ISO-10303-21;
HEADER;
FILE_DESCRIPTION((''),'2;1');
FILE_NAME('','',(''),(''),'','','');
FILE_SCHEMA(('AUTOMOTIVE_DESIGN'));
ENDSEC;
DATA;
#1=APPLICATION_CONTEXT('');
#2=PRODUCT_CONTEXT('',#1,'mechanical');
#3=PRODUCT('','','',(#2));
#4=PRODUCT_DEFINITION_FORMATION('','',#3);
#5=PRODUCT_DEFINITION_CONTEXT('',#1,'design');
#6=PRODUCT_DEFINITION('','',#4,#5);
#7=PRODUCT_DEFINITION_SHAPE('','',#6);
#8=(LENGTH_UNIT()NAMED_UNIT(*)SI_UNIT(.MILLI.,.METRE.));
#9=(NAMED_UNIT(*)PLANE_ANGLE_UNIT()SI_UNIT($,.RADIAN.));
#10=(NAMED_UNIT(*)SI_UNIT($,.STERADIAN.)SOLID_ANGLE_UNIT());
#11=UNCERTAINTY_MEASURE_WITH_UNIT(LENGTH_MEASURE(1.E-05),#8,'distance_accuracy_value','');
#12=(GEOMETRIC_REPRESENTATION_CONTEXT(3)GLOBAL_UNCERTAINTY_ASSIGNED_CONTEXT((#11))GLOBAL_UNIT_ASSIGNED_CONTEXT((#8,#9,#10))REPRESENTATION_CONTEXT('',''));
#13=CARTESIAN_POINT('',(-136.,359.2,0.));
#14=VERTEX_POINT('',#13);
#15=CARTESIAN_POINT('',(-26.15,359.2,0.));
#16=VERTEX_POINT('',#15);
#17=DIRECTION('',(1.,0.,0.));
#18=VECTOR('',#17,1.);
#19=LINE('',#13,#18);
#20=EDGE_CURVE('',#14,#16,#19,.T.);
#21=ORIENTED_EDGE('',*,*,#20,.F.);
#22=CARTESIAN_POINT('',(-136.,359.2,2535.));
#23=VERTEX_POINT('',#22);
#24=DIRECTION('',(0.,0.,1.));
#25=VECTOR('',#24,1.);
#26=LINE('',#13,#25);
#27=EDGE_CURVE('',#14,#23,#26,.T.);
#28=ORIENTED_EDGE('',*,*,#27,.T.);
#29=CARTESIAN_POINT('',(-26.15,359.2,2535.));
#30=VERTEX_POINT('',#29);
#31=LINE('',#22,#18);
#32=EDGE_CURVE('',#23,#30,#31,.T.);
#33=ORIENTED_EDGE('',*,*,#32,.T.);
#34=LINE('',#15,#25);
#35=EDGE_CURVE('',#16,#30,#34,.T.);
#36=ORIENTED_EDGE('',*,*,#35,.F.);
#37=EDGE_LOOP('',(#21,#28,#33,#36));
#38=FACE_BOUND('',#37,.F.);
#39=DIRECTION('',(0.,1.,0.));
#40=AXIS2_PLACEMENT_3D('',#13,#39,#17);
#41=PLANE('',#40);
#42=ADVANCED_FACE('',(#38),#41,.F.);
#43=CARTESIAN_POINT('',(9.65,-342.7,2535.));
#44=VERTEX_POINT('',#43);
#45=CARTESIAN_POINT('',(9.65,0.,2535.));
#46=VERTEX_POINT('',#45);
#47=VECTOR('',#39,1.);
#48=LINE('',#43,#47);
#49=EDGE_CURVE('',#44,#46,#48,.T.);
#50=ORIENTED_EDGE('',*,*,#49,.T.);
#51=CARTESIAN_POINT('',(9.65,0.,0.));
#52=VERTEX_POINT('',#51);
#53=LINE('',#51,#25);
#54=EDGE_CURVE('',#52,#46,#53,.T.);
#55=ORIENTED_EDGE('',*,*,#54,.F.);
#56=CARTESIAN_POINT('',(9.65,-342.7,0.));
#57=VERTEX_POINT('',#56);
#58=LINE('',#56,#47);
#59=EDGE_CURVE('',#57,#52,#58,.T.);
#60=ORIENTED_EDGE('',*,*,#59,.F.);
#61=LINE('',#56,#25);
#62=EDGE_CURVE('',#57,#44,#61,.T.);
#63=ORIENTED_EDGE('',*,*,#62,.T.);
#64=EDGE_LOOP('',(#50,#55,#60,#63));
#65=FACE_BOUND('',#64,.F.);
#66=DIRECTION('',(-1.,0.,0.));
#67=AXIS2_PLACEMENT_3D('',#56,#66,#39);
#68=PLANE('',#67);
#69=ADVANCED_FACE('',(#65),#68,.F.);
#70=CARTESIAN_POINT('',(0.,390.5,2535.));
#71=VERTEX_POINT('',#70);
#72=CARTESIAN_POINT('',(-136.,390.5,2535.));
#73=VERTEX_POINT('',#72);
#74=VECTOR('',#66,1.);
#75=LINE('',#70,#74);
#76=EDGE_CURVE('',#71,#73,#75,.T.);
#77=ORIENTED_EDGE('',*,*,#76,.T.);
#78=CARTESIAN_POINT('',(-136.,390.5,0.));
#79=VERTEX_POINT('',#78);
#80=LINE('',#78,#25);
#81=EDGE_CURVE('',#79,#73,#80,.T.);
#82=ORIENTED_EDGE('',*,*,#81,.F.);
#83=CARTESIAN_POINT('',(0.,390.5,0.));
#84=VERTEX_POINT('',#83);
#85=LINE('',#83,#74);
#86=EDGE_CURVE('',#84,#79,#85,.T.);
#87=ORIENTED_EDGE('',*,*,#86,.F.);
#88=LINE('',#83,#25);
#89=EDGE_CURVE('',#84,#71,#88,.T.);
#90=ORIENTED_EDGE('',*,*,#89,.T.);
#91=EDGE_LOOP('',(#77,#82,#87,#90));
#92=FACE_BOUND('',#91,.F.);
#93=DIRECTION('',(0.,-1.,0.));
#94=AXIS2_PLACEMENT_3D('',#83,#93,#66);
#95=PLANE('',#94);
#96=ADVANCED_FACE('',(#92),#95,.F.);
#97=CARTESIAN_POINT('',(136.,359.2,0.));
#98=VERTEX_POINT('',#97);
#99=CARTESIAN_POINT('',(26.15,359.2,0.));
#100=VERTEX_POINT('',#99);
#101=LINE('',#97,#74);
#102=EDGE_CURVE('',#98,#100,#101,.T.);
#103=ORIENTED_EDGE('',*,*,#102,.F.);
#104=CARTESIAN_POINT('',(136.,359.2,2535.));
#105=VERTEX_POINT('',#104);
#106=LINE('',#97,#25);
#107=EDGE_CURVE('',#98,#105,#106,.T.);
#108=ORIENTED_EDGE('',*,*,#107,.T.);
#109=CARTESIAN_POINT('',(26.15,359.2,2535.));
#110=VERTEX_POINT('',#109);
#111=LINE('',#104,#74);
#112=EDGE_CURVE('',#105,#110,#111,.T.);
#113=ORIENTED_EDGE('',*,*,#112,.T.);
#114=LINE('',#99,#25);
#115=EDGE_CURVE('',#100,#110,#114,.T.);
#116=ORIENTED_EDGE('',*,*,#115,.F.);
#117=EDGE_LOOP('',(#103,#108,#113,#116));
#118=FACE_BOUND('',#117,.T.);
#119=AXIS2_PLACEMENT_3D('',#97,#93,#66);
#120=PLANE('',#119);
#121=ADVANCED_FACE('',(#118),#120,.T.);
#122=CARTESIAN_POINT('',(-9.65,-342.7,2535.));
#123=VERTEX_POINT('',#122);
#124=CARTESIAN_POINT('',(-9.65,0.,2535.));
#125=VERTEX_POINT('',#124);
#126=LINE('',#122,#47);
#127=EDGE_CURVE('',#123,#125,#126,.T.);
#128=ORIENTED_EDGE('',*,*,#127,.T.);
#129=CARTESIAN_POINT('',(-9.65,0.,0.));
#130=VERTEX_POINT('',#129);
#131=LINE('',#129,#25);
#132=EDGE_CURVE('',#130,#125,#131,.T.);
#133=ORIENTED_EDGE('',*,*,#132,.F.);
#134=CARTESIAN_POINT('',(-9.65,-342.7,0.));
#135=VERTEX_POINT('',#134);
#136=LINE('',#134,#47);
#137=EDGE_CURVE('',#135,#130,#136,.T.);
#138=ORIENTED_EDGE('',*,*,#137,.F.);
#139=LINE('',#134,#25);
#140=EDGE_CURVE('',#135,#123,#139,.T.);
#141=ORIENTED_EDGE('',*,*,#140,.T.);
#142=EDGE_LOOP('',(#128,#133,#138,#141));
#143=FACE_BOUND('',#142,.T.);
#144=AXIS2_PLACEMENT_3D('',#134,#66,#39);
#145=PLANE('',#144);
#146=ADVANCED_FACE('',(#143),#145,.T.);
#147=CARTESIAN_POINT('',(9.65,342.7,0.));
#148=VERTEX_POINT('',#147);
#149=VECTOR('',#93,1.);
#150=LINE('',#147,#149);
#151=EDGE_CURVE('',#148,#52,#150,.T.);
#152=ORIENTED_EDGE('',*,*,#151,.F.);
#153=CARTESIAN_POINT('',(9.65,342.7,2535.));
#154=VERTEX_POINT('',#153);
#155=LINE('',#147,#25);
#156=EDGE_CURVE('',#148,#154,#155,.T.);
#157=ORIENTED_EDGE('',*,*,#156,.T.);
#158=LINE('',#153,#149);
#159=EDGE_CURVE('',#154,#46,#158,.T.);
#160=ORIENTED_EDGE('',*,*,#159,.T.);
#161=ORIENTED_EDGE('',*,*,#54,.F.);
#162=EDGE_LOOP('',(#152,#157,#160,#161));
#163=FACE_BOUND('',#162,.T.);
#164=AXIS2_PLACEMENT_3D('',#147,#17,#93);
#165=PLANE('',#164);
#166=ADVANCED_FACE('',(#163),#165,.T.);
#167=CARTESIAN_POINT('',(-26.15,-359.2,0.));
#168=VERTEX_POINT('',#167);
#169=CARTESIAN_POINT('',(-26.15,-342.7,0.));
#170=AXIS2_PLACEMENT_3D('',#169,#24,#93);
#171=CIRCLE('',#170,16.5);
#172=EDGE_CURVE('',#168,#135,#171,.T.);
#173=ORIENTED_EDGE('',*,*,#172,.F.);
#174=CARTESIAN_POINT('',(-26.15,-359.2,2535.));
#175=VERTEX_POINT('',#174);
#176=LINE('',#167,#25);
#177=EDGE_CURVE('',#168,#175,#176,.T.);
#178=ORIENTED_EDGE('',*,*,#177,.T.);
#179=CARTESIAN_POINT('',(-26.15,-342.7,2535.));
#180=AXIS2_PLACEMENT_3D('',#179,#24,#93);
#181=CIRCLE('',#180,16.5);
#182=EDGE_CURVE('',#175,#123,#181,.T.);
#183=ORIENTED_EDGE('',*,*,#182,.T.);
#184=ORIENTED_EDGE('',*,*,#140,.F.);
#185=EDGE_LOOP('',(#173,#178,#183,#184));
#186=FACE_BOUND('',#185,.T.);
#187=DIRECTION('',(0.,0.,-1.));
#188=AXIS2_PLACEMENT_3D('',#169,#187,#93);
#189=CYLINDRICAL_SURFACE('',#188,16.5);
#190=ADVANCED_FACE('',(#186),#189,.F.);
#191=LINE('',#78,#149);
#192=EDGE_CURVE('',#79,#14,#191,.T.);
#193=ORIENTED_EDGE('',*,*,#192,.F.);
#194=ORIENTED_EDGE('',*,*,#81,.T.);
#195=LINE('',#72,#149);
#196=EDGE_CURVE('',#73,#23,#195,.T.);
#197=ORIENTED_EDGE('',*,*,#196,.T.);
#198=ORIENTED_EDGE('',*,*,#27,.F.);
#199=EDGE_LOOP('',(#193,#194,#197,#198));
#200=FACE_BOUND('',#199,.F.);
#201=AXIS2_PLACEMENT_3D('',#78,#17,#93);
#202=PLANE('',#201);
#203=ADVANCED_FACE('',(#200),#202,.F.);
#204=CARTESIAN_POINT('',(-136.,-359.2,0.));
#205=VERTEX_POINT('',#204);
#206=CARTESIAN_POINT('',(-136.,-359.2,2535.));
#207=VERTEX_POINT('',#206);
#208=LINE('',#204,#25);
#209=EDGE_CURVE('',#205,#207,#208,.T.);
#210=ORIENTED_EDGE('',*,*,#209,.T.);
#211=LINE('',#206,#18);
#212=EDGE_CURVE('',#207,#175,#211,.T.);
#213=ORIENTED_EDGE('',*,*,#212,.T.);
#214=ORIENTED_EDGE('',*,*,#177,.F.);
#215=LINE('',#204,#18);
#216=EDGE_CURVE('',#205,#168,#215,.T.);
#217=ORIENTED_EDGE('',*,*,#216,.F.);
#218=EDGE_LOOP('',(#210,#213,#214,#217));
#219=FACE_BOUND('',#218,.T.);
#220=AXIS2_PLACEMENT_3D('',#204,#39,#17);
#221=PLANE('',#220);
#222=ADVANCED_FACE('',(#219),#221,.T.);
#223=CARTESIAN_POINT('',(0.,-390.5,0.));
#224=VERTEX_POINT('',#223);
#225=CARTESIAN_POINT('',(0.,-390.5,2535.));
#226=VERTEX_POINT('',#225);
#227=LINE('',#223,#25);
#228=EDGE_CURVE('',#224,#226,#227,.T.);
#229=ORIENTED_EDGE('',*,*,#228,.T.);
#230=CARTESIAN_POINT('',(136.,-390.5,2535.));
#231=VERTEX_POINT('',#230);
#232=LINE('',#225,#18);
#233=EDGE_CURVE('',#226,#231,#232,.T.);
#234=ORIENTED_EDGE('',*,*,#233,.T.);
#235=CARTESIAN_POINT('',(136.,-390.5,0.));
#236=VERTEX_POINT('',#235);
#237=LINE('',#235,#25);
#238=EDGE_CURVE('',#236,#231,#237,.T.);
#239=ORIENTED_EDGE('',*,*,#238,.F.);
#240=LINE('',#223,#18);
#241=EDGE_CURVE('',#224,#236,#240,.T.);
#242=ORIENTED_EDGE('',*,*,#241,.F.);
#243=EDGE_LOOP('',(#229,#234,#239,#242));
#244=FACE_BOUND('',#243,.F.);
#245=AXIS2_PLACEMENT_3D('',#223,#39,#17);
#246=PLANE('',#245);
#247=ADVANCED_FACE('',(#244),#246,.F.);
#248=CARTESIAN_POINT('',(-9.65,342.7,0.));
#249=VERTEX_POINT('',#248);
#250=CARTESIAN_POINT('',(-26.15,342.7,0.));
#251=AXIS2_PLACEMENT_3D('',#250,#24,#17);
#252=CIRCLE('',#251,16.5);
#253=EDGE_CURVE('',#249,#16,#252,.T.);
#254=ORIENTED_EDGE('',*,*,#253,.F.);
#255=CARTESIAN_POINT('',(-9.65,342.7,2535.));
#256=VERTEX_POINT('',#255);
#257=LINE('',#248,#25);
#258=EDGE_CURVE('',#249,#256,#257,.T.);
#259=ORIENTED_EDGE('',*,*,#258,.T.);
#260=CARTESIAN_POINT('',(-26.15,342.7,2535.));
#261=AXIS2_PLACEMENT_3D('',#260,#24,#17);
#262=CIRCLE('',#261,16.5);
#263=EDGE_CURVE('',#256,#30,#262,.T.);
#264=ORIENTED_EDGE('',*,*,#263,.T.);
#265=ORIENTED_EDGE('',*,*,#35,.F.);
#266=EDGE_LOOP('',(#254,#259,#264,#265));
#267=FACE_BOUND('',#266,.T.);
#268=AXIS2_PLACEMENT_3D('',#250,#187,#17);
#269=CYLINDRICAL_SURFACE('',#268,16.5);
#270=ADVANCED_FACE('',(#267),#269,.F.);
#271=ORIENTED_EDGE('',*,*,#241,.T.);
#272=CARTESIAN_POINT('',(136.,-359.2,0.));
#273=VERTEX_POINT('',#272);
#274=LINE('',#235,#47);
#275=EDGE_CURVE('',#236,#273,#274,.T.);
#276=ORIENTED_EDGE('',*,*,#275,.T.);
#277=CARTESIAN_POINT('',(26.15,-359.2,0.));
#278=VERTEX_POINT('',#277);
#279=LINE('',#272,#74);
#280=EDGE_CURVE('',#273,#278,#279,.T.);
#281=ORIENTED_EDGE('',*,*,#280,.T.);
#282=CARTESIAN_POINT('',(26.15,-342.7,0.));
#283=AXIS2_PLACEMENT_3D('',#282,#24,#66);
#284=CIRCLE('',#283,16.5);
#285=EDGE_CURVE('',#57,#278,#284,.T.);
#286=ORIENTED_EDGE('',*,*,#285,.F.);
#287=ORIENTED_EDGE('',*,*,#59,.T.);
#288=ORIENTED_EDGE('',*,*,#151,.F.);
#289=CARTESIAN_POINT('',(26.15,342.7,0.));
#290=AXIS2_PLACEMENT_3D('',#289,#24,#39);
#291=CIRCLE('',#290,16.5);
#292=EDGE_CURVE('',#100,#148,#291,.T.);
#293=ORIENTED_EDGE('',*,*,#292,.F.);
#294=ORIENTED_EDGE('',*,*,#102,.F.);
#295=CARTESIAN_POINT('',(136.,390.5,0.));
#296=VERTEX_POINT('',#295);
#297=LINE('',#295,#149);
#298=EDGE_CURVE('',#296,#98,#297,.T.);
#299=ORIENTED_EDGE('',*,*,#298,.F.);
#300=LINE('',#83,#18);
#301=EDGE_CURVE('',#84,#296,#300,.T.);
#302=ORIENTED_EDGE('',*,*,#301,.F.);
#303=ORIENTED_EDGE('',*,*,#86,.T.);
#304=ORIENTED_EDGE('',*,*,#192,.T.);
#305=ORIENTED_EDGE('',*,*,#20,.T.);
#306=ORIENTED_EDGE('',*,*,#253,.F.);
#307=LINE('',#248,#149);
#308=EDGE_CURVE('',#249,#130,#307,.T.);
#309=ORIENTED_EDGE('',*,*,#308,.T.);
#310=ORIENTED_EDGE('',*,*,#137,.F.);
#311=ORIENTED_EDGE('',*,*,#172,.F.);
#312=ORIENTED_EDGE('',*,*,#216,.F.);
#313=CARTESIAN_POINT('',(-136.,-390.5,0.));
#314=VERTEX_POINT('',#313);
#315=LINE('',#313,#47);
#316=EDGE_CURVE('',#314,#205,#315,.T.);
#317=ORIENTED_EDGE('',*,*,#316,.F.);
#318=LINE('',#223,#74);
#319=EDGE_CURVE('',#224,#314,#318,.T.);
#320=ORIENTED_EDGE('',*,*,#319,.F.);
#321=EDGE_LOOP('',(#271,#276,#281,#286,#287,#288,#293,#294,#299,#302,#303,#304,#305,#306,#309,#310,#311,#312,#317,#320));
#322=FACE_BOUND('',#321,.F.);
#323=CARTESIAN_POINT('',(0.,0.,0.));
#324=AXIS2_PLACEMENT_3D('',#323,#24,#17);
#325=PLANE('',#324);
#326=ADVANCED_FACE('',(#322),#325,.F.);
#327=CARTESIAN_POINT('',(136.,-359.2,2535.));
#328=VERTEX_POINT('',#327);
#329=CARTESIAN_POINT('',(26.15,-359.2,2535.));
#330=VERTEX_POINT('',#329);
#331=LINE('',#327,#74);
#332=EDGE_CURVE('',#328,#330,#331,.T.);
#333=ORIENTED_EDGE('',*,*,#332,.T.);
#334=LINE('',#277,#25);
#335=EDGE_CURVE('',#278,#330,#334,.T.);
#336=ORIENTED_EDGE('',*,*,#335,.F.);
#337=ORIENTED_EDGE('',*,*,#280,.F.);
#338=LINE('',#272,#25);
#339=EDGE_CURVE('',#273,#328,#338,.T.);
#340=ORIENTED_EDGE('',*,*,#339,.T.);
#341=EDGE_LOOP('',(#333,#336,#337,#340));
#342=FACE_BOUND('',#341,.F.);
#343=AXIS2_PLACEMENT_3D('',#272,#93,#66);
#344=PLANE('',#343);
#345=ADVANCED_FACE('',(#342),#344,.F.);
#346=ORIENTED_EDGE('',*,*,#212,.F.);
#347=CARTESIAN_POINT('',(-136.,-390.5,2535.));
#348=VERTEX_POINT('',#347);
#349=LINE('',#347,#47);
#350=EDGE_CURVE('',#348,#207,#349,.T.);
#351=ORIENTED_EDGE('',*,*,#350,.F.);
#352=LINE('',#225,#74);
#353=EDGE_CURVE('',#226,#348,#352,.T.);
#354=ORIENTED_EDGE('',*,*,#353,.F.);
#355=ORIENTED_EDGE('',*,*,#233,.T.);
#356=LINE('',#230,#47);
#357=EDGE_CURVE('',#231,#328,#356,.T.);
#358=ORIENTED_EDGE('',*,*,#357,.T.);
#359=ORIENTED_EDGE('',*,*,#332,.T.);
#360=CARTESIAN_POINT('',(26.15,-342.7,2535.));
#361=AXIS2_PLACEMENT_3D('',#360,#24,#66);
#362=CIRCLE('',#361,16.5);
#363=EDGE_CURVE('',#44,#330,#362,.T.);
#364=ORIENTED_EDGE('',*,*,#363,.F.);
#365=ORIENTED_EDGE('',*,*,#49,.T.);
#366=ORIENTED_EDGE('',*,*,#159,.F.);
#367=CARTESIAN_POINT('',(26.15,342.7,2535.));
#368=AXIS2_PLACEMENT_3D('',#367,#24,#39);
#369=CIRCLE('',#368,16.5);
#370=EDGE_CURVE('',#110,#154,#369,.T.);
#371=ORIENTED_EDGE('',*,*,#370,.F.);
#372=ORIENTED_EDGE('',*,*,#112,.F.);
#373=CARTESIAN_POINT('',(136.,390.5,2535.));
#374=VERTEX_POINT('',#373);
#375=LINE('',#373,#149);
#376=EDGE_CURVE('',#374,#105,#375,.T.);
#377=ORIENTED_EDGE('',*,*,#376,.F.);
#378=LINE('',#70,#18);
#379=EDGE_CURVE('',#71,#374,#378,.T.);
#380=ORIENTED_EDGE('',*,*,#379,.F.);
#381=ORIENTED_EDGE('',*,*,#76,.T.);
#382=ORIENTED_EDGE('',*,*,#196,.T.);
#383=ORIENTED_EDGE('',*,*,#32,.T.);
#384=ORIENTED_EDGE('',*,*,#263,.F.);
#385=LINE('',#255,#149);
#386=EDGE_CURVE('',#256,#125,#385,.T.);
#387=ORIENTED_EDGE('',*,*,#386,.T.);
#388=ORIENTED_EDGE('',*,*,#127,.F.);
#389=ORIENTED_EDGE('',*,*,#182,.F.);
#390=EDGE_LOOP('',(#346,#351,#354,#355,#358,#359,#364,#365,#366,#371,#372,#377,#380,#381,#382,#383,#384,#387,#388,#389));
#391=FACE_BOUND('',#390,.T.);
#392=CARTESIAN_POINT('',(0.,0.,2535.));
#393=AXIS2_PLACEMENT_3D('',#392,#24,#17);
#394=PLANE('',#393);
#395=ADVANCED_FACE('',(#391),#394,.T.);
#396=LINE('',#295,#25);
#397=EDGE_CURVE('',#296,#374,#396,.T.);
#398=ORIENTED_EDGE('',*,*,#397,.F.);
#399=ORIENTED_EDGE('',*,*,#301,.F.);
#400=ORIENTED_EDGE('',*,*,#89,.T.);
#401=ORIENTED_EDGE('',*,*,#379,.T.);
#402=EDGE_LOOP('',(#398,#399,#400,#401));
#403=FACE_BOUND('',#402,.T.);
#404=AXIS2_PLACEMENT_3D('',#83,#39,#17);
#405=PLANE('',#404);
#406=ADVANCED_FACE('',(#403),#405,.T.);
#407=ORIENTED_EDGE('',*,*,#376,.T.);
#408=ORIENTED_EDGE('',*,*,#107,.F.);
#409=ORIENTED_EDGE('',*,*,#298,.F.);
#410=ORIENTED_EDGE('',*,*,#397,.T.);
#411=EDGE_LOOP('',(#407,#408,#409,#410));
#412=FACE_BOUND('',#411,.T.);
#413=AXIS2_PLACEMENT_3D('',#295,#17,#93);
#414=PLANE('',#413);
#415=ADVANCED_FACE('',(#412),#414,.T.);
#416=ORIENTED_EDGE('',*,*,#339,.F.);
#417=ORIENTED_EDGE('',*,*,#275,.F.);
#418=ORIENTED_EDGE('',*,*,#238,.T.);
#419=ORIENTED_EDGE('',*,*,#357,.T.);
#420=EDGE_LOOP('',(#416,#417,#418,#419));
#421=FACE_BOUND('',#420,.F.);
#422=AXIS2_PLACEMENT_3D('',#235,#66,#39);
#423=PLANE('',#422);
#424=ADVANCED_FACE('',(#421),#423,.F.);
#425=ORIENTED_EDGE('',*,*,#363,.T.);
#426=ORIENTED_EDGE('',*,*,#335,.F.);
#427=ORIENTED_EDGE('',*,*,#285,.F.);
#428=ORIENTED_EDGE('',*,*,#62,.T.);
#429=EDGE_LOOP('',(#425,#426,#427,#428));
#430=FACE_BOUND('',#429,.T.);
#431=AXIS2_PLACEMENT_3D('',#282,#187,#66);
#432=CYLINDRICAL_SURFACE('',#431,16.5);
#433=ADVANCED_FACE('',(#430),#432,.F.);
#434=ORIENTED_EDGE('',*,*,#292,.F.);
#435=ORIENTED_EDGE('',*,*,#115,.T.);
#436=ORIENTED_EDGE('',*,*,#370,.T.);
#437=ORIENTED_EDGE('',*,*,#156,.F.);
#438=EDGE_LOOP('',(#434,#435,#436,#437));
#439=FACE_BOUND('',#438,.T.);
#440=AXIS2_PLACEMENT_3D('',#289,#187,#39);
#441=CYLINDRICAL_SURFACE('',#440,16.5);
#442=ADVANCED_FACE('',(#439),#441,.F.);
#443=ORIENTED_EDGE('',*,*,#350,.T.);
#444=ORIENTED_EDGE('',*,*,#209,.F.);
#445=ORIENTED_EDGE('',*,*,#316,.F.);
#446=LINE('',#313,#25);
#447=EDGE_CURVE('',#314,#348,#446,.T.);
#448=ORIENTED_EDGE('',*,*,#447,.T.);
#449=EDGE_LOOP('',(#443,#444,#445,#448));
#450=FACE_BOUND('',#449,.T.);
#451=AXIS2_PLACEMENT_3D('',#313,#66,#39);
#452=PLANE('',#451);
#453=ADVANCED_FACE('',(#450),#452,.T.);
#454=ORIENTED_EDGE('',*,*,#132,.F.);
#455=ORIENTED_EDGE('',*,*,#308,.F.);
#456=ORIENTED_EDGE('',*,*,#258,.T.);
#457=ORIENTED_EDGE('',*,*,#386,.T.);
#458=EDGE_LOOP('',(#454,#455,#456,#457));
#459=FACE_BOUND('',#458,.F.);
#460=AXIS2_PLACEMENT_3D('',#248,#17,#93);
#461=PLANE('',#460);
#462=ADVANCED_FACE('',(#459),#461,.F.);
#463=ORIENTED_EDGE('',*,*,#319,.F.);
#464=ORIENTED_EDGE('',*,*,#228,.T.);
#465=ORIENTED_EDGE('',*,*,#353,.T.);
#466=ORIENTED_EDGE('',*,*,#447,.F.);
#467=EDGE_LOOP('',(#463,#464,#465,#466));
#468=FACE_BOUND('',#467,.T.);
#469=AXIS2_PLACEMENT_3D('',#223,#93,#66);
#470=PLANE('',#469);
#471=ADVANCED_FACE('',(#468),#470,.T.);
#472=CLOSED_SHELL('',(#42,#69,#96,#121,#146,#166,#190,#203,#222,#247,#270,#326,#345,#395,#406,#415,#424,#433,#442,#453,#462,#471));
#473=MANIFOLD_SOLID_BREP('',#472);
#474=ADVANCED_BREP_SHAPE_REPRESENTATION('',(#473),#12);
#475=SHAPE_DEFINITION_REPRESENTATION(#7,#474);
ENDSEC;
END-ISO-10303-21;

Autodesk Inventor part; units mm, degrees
ref_plane "YZ Plane" through (0, 0, 0) normal (1, 0, 0) x (0, 1, 0)
ref_plane "Start plane" through (0, 0, 0) normal (0, 0, 1) x (1, 0, 0)
ref_plane "End plane" through (0, 0, 2535) normal (0, 0, 1) x (1, 0, 0)
sketch "Sketch" plane through (0, 0, 0) normal (0, 0, 1) x (1, 0, 0)
  line L0 (-136, -390.5) -> (-136, -359.2)
  line L1 (-136, -359.2) -> (-26.15, -359.2)
  line L2 (-9.65, -342.7) -> (-9.65, 0)
  line L3 (-9.65, 0) -> (0, 0) construction
  line L4 (0, 0) -> (0, -390.5) construction
  line L5 (0, -390.5) -> (-136, -390.5)
  line L6 (-60, 0) -> (80, 0) construction
  line L7 (0, -60) -> (0, 80) construction
  line L8 (136, -390.5) -> (136, -359.2)
  line L9 (136, -359.2) -> (26.15, -359.2)
  line L10 (9.65, -342.7) -> (9.65, 0)
  line L11 (9.65, 0) -> (0, 0) construction
  line L12 (0, -390.5) -> (136, -390.5)
  line L13 (-136, 390.5) -> (-136, 359.2)
  line L14 (-136, 359.2) -> (-26.15, 359.2)
  line L15 (-9.65, 342.7) -> (-9.65, 0)
  line L16 (0, 390.5) -> (-136, 390.5)
  line L17 (136, 390.5) -> (136, 359.2)
  line L18 (136, 359.2) -> (26.15, 359.2)
  line L19 (0, 390.5) -> (136, 390.5)
  line L20 (9.65, 342.7) -> (9.65, 0)
  arc A0 (-9.65, 342.7) -> (-26.15, 359.2) centre (-26.15, 342.7) ccw
  arc A1 (26.15, 359.2) -> (9.65, 342.7) centre (26.15, 342.7) ccw
  arc A2 (9.65, -342.7) -> (26.15, -359.2) centre (26.15, -342.7) ccw
  arc A3 (-26.15, -359.2) -> (-9.65, -342.7) centre (-26.15, -342.7) ccw
  line L21 (0, 108) -> (0, -88) construction
  line L22 (-88, 0) -> (108, 0) construction
  point P0 (-9.65, -359.2)
  point P1 (9.65, -359.2)
  point P2 (-9.65, 359.2)
  point P3 (9.65, 359.2)
  dimension "d1" = 390.5
  dimension "d2" = 31.3
  dimension "d3" = 136
  dimension "d4" = 9.65
  dimension "d10" = 16.5
extrude "Body" add sketch "Sketch" along normal up to surface (2535 mm away) from surface at 0
sketch "Sketch4" plane through (0, 0, 0) normal (0, 0, 1) x (1, 0, 0)
  line L0 (0, 0) -> (10, 0)
ref_plane "Work Plane3" through (0, 0, 0) normal (0, -1, 0) x (1, 0, 0)
sketch "Sketch5" plane through (0, 0, 0) normal (0, -1, 0) x (1, 0, 0)
  line L0 (-2, 0) -> (12, 0) projected
  line L1 (-2, 2535) -> (12, 2535) projected
  dimension "d14" = 2535
equation "\"d1\" = 0.5 * G_H"
equation "\"d2\" = G_T1"
equation "\"d3\" = 0.5 * G_W"
equation "\"d4\" = 0.5 * G_T"
equation "\"d10\" = G_IR"
equation "\"d5\" = G_L"
equation "\"G_W\" = 272"
equation "\"G_H\" = 781"
equation "\"G_T\" = 19.3"
equation "\"G_T1\" = 31.3"
equation "\"G_IR\" = 16.5"
equation "\"G_L\" = d14"
equation "\"G_OFFSET_START\" = 0"
equation "\"G_OFFSET_END\" = 0"
equation "\"d12\" = G_OFFSET_END + B_L"
equation "\"B_L\" = 2535"
properties part number "AS 3679-1990 - 760 UB - 244 - 2535" material "Steel, Mild"
